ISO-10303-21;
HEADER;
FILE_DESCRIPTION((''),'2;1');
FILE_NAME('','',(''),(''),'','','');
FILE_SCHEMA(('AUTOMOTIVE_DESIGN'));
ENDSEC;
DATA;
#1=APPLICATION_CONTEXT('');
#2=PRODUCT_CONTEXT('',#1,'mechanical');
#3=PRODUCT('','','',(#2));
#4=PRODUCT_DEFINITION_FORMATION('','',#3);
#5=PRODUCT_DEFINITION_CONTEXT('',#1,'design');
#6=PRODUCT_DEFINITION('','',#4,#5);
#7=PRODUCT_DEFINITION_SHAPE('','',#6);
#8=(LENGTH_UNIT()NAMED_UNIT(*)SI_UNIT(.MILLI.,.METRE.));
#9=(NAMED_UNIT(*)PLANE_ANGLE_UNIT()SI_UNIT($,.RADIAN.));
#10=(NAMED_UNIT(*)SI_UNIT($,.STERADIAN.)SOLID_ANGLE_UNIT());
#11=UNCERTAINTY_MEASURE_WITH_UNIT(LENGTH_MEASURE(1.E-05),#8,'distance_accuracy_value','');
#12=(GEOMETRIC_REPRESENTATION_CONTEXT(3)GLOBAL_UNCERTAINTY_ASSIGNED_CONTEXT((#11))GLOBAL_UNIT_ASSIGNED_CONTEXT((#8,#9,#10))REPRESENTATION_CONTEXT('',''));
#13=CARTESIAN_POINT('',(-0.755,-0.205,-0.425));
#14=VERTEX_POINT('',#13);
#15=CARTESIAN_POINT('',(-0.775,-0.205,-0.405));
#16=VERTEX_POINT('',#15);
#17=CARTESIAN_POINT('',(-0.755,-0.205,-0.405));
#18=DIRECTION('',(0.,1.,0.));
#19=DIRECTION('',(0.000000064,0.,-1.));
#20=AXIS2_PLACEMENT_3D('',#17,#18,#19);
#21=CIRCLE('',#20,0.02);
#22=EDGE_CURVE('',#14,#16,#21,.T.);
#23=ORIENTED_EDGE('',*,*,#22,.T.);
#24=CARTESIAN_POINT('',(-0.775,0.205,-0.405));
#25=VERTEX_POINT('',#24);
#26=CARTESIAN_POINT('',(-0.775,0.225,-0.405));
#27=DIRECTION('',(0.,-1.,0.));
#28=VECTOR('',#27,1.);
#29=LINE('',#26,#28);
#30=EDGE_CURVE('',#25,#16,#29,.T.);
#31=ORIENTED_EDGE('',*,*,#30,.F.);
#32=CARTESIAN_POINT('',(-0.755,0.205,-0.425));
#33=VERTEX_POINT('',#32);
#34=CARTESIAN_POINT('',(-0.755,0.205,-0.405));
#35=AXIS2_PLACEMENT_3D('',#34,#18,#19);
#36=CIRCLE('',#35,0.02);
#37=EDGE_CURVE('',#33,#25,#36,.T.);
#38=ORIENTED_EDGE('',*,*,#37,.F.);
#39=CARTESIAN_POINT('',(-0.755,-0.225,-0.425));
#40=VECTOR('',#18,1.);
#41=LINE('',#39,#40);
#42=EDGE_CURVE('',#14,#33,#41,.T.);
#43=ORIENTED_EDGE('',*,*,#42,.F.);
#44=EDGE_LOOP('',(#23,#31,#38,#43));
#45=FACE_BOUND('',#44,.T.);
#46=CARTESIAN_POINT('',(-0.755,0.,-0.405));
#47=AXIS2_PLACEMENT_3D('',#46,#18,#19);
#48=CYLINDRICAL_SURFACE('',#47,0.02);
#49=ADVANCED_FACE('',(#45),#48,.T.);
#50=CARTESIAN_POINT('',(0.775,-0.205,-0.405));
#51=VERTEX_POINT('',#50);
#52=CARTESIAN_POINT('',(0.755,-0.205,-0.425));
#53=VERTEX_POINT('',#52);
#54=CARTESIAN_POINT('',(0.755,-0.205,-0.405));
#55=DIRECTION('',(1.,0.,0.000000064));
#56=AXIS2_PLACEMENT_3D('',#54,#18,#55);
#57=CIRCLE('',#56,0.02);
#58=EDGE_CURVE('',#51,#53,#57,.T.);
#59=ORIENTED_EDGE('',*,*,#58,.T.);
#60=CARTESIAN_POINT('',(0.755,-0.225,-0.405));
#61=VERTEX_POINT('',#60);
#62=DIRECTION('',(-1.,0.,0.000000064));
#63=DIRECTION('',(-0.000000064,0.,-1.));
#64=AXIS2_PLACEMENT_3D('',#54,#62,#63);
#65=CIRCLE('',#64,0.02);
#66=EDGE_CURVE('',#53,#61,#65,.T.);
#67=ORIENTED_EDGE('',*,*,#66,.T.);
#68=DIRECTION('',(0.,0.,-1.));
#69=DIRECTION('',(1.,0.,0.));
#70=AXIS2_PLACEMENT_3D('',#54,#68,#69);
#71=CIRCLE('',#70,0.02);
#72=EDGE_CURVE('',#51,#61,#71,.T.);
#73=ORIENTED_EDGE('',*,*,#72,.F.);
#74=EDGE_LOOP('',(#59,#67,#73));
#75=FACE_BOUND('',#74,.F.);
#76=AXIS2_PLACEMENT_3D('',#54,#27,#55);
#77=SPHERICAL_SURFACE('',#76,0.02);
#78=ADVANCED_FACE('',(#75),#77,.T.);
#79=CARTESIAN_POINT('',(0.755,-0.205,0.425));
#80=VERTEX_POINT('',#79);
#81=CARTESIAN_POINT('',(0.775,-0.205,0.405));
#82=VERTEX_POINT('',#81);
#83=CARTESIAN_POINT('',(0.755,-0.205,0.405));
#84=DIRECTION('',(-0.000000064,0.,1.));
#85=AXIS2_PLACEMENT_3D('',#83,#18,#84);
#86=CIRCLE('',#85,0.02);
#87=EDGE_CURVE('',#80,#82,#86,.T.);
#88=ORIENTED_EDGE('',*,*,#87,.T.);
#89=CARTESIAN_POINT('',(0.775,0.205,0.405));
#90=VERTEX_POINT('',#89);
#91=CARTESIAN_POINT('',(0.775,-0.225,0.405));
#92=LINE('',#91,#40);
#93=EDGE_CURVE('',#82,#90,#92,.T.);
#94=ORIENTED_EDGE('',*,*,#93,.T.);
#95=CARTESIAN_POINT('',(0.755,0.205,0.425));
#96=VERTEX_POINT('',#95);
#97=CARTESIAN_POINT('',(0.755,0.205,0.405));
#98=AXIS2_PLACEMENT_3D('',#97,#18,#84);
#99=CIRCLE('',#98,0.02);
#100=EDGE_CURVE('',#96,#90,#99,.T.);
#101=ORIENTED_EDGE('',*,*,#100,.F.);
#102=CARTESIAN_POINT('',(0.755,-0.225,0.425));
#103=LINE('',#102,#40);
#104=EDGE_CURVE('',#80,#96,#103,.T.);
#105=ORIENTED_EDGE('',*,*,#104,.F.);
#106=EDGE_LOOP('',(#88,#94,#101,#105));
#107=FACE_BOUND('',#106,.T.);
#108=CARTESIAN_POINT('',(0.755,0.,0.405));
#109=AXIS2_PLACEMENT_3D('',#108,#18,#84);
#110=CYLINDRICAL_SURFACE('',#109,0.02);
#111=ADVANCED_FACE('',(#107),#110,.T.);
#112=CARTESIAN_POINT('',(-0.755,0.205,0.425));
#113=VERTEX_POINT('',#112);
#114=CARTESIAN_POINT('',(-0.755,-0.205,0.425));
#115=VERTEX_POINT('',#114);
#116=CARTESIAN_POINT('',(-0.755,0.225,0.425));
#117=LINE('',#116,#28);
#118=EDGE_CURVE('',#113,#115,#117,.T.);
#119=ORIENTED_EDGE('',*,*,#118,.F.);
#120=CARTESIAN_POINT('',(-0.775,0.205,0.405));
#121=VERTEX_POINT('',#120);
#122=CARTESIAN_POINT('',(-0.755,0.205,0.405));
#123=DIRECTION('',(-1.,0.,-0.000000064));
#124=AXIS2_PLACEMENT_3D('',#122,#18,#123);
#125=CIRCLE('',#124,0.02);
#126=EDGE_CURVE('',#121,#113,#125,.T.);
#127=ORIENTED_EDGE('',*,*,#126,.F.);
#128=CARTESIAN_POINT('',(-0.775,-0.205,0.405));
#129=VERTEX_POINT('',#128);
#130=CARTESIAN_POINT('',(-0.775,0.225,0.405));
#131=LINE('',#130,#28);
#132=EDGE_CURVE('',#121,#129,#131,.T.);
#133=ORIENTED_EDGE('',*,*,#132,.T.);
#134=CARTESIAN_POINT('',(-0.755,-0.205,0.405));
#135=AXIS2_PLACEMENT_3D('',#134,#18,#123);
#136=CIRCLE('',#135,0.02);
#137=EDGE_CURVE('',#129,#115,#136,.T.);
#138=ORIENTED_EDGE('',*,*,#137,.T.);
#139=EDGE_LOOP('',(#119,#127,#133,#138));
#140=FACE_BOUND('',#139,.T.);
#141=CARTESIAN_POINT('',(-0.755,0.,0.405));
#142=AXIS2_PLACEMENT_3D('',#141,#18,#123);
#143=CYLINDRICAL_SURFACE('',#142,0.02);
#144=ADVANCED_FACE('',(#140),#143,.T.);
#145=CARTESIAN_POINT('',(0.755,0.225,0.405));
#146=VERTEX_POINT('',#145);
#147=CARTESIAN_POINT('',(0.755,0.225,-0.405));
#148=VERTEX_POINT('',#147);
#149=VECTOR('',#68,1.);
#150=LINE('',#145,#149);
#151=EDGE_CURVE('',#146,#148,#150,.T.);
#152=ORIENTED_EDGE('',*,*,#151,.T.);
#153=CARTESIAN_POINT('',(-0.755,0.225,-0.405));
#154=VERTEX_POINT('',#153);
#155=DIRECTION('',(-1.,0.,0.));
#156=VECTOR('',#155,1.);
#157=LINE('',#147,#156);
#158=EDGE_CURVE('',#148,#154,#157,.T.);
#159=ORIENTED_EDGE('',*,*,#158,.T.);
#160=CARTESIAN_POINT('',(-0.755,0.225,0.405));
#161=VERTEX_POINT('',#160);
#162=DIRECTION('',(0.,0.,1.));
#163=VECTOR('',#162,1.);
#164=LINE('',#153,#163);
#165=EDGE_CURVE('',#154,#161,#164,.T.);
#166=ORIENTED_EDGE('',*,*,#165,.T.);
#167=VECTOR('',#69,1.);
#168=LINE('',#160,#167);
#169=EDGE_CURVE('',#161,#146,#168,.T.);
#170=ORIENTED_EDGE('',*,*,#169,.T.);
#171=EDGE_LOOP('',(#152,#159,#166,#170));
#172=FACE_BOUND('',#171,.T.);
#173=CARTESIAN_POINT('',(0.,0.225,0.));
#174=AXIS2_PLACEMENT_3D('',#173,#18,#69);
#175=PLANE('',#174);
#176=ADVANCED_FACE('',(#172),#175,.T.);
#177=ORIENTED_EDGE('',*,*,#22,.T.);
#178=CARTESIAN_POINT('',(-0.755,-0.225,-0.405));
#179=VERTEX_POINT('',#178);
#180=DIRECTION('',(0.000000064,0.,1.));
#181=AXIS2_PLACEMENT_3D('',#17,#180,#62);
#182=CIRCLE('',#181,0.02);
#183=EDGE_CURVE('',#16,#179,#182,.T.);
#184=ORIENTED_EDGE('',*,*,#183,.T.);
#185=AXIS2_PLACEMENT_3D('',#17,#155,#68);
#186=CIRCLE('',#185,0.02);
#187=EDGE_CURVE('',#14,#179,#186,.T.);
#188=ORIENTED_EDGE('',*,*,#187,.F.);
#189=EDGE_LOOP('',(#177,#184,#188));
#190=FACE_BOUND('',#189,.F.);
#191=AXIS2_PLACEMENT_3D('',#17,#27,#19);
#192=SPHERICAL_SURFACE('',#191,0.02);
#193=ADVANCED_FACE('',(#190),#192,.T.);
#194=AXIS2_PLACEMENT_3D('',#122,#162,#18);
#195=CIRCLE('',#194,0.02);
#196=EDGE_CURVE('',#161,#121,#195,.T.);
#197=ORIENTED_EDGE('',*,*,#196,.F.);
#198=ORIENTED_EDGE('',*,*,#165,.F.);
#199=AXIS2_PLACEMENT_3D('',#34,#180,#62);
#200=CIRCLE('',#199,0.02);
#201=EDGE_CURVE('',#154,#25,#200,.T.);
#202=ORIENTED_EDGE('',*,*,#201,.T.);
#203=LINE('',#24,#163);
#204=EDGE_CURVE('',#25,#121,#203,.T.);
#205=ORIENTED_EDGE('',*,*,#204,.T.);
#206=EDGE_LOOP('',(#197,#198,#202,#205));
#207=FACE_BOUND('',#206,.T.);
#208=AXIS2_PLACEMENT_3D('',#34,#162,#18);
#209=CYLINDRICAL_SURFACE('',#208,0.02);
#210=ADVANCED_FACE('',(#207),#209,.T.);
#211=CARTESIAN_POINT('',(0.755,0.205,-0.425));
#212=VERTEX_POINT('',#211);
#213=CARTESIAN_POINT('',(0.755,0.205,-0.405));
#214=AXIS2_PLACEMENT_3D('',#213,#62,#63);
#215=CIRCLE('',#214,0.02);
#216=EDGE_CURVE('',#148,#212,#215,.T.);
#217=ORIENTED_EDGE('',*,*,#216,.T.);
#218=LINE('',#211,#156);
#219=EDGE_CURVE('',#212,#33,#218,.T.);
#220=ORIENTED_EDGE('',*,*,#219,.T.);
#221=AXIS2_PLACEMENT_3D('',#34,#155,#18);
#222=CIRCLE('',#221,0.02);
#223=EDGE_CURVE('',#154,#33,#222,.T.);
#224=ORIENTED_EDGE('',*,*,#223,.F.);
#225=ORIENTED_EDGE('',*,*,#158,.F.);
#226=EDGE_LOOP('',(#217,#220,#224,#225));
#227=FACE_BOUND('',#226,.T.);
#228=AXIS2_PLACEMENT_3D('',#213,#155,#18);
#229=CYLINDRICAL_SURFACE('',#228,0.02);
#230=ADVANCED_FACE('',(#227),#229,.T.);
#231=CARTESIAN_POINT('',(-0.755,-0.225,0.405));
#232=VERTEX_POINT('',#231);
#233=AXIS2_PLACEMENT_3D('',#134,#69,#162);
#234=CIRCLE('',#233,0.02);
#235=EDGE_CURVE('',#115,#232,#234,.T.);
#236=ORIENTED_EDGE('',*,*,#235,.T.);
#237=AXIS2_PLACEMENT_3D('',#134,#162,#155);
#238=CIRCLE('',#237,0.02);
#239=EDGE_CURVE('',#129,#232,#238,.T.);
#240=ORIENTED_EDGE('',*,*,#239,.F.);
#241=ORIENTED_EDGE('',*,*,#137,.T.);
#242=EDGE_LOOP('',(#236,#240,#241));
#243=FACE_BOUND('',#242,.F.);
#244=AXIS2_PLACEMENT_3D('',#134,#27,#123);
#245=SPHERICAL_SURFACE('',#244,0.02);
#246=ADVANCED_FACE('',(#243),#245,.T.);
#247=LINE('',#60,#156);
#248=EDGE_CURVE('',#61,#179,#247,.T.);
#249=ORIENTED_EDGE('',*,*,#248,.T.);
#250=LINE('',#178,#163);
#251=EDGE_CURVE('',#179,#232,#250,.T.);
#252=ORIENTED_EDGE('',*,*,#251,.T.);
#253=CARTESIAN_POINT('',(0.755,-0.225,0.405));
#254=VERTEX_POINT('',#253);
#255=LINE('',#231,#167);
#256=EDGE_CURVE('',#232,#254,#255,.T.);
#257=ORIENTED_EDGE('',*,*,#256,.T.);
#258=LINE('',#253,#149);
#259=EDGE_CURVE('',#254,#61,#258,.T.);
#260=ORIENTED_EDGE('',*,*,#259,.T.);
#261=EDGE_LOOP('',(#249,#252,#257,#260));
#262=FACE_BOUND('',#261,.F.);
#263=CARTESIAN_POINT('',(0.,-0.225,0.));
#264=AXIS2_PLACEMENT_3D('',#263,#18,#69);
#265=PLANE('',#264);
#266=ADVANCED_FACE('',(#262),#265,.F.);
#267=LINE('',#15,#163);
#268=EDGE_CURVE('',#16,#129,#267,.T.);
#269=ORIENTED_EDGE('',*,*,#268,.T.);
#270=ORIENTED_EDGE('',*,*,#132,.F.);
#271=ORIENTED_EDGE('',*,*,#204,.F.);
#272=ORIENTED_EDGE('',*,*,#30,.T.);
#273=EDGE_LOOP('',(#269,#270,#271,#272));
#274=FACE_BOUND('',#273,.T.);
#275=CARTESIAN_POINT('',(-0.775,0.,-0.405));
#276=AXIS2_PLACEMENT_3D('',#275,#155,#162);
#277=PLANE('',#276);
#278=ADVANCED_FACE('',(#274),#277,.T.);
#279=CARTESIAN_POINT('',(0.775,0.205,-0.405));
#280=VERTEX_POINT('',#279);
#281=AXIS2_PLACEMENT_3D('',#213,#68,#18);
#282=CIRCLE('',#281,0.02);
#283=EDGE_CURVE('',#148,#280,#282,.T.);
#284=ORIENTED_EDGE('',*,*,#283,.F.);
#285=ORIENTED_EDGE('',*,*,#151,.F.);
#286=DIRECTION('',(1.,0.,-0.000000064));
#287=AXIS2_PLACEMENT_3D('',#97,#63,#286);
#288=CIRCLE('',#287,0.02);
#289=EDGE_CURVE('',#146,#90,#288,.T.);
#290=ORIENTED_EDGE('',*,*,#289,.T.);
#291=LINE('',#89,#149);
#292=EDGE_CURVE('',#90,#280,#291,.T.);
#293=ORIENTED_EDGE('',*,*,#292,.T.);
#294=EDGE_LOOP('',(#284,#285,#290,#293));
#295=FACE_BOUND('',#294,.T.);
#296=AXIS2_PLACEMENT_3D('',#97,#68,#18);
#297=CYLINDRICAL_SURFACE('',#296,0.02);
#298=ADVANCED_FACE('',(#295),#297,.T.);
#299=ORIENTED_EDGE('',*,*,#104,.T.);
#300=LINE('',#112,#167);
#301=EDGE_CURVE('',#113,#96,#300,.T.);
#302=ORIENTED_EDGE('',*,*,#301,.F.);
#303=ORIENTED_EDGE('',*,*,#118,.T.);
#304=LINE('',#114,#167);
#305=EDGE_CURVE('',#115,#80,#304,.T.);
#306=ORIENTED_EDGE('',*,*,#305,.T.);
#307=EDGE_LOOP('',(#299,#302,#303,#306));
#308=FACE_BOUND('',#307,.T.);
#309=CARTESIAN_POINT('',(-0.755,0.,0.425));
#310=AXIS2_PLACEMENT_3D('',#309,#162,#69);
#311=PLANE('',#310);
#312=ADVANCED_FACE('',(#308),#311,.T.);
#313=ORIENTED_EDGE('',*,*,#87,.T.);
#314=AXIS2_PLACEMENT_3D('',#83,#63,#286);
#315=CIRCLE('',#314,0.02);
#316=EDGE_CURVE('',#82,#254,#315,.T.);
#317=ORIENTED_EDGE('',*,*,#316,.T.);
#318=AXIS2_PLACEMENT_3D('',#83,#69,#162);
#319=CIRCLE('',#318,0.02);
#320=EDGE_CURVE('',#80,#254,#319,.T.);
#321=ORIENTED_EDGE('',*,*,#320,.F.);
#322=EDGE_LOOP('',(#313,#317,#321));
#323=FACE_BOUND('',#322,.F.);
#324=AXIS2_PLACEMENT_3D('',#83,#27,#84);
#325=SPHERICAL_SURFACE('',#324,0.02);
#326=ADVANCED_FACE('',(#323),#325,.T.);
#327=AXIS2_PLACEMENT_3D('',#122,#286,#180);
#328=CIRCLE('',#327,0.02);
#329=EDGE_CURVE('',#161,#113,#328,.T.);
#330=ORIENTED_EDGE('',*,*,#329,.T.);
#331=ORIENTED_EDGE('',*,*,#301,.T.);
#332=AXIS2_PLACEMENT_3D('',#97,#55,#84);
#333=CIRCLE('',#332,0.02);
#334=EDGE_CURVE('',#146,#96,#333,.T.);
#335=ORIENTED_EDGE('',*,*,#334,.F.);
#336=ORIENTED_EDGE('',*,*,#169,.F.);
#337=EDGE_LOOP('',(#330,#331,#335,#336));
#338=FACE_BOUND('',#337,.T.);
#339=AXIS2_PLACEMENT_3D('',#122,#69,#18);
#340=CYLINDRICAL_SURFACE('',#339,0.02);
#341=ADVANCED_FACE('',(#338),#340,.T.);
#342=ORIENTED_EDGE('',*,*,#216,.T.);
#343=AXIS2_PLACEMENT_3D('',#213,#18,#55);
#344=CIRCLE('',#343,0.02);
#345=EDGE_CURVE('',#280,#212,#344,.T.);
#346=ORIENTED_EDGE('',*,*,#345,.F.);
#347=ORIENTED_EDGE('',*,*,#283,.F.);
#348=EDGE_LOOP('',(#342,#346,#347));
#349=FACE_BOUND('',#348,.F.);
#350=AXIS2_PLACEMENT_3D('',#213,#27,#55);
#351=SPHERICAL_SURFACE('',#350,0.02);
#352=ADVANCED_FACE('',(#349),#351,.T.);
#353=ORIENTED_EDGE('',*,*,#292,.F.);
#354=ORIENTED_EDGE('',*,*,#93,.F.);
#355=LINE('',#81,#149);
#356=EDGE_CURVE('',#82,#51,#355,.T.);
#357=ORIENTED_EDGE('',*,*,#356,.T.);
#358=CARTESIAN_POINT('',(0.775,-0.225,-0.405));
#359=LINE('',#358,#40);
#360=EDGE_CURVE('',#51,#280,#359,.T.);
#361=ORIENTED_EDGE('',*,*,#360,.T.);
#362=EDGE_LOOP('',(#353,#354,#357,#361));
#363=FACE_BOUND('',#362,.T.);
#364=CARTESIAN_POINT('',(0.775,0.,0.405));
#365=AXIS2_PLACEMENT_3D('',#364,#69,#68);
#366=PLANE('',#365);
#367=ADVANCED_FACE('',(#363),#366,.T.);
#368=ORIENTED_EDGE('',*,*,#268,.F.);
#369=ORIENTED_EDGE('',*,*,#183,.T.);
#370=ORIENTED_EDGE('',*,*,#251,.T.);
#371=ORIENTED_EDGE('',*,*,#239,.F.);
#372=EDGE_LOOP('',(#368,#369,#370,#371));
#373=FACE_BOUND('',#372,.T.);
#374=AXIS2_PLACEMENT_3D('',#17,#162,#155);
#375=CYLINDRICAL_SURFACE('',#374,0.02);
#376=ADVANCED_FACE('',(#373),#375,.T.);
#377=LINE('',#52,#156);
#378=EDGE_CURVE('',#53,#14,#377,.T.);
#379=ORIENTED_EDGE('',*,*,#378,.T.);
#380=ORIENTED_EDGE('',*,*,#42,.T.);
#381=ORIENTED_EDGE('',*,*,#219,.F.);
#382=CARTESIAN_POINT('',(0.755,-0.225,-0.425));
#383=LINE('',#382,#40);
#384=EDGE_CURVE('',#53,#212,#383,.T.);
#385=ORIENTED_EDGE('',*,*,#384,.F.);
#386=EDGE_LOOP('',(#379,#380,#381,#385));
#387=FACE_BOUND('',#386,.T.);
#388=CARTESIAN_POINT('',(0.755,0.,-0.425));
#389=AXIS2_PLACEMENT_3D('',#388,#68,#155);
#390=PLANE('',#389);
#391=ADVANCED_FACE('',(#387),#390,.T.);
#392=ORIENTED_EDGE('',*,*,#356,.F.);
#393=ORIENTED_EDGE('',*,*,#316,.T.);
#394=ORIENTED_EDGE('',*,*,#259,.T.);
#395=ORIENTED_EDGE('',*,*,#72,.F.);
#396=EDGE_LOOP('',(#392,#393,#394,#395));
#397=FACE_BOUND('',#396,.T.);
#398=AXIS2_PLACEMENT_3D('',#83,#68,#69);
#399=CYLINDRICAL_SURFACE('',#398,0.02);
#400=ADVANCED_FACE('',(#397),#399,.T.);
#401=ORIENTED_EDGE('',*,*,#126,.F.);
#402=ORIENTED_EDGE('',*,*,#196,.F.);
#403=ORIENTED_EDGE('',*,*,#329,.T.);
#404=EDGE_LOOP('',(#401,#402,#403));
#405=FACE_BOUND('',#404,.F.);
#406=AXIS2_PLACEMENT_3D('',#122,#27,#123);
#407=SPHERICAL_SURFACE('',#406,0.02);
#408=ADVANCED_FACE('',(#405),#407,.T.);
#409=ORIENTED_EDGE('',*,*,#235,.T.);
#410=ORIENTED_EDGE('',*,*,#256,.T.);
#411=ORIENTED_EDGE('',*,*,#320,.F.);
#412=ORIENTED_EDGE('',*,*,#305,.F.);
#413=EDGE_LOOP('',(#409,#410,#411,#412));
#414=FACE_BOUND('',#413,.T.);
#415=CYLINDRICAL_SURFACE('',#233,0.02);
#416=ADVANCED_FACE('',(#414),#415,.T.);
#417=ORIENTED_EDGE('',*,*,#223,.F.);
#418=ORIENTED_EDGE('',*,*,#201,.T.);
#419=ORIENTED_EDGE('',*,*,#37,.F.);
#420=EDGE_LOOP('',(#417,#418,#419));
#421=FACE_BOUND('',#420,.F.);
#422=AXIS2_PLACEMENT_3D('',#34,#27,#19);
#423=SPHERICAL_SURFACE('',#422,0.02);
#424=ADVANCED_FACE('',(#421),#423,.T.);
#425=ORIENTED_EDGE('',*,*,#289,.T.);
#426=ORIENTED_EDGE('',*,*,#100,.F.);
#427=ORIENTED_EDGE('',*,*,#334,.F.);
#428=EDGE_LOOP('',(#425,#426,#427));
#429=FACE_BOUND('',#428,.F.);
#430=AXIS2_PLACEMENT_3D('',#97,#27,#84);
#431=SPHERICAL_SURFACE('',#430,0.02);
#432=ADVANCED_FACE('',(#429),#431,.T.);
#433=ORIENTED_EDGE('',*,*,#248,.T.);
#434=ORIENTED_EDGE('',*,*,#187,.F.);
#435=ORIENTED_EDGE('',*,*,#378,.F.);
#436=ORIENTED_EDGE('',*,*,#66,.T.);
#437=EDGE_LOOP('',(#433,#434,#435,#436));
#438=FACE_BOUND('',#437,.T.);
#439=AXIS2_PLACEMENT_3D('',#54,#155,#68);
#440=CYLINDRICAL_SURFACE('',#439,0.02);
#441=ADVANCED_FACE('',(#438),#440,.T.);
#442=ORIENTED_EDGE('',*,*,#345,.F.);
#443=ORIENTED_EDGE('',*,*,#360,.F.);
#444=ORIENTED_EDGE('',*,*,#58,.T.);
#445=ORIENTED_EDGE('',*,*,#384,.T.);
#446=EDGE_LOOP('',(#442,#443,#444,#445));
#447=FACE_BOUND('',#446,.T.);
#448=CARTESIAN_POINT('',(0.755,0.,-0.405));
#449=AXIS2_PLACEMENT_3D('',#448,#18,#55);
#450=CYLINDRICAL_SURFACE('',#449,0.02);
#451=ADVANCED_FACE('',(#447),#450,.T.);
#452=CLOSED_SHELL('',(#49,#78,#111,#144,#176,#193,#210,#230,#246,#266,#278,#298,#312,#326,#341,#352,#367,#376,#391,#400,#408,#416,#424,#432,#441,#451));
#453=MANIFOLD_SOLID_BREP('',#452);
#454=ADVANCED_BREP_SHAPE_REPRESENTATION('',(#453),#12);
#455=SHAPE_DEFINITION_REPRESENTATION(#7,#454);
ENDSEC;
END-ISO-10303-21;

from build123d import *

# Parameters (mm, degrees)
BOSS_EXTRUDE1_DEPTH = 0.225
FILLET2_R           = 0.02


with BuildPart() as part:
    # Sketch1 → Boss-Extrude1 (new, symmetric)
    with BuildSketch(Plane(origin=(0, 0, 0), x_dir=(1, 0, 0), z_dir=(0, 1, 0))):
        with BuildLine():
            Line((-0.755, -0.425), (0.755, -0.425))
            ThreePointArc((0.755, -0.425), (0.769142136, -0.419142136), (0.775, -0.405))
            Line((0.775, -0.405), (0.775, 0.405))
            ThreePointArc((0.775, 0.405), (0.769142136, 0.419142136), (0.755, 0.425))
            Line((0.755, 0.425), (-0.755, 0.425))
            ThreePointArc((-0.755, 0.425), (-0.769142136, 0.419142136), (-0.775, 0.405))
            Line((-0.775, 0.405), (-0.775, -0.405))
            ThreePointArc((-0.775, -0.405), (-0.769142136, -0.419142136), (-0.755, -0.425))
        make_face()
    extrude(amount=BOSS_EXTRUDE1_DEPTH, both=True)

    # Fillet2
    fillet2_edges = [part.edges().sort_by_distance(p)[0] for p in [
        (0.769142136, 0.225, 0.419142136),
        (0, -0.225, 0.425),
        (0, 0.225, 0.425),
        (0, 0.225, -0.425),
        (-0.769142136, -0.225, 0.419142136),
        (0, 0.225, -0.425),
        (0, 0.225, 0.425),
        (0, -0.225, 0.425),
        (0.775, 0.225, 0),
        (0, -0.225, 0.425),
        (0, -0.225, -0.425),
        (0, -0.225, -0.425),
        (0.769142136, 0.225, -0.419142136),
        (0, 0.225, -0.425),
        (-0.769142136, 0.225, -0.419142136),
        (-0.775, 0.225, 0),
        (-0.769142136, 0.225, 0.419142136),
        (0, 0.225, 0.425),
        (-0.775, -0.225, 0),
        (-0.769142136, -0.225, -0.419142136),
        (0, -0.225, -0.425),
        (0.769142136, -0.225, -0.419142136),
        (0.775, -0.225, 0),
        (0.769142136, -0.225, 0.419142136),
    ]]
    fillet(fillet2_edges, radius=FILLET2_R)


solid = part.part
